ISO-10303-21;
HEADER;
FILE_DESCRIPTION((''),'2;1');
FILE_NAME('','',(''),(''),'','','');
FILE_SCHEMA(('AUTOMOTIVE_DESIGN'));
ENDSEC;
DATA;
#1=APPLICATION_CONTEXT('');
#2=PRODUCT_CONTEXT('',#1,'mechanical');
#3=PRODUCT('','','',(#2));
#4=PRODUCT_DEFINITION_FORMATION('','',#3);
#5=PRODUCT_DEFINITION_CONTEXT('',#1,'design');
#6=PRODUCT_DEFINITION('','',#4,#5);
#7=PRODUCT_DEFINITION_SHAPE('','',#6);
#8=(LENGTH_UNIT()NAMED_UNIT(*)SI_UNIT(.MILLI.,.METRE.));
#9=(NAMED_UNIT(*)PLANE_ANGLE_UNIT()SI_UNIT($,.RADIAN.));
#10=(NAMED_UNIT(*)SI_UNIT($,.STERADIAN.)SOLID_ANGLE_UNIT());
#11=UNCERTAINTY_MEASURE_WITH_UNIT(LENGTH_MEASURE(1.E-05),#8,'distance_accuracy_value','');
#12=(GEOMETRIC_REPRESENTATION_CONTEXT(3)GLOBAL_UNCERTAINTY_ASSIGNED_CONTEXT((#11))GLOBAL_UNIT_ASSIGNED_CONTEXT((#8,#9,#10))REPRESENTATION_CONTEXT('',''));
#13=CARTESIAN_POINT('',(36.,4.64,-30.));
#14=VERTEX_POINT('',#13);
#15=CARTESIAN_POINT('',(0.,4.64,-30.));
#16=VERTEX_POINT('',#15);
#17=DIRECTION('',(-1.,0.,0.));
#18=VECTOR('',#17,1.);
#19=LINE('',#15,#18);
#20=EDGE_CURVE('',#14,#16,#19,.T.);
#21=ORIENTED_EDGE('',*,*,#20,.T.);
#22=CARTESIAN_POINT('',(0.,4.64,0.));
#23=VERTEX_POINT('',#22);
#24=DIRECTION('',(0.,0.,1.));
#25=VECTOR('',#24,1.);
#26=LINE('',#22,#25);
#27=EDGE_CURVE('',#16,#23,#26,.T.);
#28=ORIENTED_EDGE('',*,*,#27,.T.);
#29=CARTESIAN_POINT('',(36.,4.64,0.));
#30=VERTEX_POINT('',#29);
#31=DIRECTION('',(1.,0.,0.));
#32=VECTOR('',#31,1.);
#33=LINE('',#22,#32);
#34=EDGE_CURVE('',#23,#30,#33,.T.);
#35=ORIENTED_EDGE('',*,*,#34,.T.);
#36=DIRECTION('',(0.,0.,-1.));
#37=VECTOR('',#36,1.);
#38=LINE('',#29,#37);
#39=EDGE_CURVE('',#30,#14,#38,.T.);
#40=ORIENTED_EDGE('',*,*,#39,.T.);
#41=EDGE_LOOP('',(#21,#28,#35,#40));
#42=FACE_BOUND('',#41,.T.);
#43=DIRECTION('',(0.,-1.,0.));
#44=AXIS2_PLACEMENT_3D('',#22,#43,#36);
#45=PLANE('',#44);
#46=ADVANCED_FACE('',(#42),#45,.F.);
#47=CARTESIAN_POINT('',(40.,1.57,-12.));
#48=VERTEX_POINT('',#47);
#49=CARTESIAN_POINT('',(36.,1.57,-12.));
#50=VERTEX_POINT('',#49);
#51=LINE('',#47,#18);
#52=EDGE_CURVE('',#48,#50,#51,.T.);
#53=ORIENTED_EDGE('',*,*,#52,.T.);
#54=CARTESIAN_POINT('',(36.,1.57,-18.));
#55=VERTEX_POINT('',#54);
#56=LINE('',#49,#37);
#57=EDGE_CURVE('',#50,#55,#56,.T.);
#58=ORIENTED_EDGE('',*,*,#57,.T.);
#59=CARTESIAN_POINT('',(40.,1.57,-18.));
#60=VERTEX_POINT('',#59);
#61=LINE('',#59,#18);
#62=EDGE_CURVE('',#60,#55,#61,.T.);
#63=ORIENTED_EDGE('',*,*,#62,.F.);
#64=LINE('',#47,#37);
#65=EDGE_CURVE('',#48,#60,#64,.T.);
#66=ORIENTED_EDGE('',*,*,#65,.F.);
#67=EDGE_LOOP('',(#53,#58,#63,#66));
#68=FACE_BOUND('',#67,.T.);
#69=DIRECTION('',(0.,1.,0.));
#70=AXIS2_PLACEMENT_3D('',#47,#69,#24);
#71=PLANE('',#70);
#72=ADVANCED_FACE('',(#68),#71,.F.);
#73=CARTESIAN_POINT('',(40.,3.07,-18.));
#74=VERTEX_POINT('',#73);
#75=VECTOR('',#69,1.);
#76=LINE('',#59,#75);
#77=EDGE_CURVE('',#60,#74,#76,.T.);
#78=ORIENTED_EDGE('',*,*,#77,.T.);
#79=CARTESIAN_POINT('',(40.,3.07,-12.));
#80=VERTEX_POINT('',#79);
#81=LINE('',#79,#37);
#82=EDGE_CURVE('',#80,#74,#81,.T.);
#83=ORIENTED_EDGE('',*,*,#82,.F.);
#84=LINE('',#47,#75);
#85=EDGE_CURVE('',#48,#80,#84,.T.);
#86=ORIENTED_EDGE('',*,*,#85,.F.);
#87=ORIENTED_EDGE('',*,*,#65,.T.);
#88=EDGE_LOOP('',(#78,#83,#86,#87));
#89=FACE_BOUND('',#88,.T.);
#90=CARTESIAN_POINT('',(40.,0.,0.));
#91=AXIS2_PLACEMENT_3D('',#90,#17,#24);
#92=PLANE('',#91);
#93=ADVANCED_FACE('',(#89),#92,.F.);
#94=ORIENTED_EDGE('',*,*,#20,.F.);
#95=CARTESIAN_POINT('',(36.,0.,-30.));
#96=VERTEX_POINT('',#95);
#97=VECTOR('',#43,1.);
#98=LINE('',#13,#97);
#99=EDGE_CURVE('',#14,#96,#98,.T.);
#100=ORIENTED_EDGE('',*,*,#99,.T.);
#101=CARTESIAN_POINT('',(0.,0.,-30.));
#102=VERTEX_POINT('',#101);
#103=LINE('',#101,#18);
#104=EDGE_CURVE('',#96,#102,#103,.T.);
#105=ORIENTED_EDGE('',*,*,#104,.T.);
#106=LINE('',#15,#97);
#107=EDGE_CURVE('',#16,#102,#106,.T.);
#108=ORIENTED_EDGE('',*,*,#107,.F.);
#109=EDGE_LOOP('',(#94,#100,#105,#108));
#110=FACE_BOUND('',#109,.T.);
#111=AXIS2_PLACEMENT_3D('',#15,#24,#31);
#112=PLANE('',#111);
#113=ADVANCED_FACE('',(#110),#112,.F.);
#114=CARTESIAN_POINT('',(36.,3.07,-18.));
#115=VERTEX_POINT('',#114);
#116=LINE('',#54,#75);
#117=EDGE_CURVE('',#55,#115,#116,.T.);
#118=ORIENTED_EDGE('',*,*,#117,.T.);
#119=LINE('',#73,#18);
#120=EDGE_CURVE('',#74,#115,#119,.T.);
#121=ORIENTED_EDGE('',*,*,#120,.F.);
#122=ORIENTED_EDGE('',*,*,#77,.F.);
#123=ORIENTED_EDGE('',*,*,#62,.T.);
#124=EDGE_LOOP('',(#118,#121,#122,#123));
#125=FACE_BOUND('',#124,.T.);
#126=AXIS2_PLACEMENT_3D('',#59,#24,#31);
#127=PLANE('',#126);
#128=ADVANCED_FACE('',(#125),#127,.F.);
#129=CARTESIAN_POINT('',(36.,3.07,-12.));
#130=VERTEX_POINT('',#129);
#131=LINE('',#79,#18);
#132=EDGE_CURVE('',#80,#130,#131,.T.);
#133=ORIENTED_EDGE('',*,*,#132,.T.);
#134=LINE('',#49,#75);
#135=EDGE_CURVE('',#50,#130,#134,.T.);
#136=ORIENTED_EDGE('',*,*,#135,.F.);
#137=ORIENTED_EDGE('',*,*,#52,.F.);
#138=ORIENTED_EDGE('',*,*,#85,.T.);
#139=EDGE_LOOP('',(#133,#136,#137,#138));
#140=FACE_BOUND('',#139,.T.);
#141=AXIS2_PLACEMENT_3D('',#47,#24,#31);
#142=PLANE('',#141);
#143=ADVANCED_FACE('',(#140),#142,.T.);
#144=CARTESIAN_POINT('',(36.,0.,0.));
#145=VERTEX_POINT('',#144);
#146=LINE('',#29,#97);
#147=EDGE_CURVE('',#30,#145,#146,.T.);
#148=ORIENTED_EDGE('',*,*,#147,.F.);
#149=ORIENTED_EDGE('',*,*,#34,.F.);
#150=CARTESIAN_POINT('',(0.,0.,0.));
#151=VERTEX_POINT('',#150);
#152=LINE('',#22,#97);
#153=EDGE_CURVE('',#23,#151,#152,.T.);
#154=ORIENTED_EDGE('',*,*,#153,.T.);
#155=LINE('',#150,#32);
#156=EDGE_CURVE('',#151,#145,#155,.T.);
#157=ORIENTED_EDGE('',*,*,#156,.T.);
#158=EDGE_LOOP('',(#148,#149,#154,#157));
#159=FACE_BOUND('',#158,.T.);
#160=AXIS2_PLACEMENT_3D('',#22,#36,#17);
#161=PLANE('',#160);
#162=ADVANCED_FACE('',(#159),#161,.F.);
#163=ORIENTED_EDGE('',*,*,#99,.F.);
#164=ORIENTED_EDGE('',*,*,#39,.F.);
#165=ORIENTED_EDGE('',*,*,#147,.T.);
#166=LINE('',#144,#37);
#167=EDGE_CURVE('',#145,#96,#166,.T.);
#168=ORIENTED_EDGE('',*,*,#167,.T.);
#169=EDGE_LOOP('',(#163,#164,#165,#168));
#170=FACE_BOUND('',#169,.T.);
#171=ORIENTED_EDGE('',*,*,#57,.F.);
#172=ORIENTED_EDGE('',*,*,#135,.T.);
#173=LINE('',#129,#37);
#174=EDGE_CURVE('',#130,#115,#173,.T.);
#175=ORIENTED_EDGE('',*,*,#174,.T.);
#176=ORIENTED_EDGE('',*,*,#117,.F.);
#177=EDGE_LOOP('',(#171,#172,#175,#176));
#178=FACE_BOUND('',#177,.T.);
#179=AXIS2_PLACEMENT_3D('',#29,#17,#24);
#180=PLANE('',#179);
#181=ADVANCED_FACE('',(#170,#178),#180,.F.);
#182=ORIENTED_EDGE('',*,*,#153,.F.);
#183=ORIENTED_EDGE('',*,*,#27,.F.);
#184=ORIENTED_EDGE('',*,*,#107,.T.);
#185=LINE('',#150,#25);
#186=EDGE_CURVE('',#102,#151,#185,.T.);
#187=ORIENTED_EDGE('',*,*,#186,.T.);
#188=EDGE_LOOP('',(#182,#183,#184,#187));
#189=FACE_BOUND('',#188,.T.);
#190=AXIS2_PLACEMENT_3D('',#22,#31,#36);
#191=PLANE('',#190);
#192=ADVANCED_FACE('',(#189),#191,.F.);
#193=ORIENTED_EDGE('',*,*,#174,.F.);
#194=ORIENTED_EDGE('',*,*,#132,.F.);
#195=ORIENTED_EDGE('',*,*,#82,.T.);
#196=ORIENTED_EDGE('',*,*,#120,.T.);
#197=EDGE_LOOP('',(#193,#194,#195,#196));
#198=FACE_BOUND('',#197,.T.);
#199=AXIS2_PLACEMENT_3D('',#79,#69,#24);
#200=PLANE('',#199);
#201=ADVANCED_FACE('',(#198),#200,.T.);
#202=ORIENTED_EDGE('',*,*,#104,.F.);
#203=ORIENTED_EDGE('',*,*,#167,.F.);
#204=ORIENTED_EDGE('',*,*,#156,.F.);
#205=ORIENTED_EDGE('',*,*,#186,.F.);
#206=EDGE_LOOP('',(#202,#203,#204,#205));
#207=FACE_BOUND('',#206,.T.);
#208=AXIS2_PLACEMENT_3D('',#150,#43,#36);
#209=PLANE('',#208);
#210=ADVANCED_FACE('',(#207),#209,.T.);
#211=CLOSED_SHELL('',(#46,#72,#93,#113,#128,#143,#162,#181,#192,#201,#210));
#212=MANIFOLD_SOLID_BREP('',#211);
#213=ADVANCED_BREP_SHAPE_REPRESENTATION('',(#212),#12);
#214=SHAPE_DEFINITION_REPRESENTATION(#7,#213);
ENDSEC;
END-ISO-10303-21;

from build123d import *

# Parameters (mm, degrees)
SKETCH1_W           = 36
SKETCH1_H           = 30
BOSS_EXTRUDE1_DEPTH = 4.64
SKETCH2_W           = 6
SKETCH2_H           = 1.5
BOSS_EXTRUDE2_DEPTH = 4


with BuildPart() as part:
    # Sketch1 → Boss-Extrude1 (new body)
    with BuildSketch(Plane(origin=(0, 0, 0), x_dir=(1, 0, 0), z_dir=(0, 1, 0))):
        with Locations((18, 15)):
            Rectangle(SKETCH1_W, SKETCH1_H)
    extrude(amount=BOSS_EXTRUDE1_DEPTH)

    # Sketch2 → Boss-Extrude2 (add)
    with BuildSketch(Plane(origin=(36, 0, 0), x_dir=(0, 0, -1), z_dir=(1, 0, 0))):
        with Locations((15, 2.32)):
            Rectangle(SKETCH2_W, SKETCH2_H)
    extrude(amount=BOSS_EXTRUDE2_DEPTH)


solid = part.part
